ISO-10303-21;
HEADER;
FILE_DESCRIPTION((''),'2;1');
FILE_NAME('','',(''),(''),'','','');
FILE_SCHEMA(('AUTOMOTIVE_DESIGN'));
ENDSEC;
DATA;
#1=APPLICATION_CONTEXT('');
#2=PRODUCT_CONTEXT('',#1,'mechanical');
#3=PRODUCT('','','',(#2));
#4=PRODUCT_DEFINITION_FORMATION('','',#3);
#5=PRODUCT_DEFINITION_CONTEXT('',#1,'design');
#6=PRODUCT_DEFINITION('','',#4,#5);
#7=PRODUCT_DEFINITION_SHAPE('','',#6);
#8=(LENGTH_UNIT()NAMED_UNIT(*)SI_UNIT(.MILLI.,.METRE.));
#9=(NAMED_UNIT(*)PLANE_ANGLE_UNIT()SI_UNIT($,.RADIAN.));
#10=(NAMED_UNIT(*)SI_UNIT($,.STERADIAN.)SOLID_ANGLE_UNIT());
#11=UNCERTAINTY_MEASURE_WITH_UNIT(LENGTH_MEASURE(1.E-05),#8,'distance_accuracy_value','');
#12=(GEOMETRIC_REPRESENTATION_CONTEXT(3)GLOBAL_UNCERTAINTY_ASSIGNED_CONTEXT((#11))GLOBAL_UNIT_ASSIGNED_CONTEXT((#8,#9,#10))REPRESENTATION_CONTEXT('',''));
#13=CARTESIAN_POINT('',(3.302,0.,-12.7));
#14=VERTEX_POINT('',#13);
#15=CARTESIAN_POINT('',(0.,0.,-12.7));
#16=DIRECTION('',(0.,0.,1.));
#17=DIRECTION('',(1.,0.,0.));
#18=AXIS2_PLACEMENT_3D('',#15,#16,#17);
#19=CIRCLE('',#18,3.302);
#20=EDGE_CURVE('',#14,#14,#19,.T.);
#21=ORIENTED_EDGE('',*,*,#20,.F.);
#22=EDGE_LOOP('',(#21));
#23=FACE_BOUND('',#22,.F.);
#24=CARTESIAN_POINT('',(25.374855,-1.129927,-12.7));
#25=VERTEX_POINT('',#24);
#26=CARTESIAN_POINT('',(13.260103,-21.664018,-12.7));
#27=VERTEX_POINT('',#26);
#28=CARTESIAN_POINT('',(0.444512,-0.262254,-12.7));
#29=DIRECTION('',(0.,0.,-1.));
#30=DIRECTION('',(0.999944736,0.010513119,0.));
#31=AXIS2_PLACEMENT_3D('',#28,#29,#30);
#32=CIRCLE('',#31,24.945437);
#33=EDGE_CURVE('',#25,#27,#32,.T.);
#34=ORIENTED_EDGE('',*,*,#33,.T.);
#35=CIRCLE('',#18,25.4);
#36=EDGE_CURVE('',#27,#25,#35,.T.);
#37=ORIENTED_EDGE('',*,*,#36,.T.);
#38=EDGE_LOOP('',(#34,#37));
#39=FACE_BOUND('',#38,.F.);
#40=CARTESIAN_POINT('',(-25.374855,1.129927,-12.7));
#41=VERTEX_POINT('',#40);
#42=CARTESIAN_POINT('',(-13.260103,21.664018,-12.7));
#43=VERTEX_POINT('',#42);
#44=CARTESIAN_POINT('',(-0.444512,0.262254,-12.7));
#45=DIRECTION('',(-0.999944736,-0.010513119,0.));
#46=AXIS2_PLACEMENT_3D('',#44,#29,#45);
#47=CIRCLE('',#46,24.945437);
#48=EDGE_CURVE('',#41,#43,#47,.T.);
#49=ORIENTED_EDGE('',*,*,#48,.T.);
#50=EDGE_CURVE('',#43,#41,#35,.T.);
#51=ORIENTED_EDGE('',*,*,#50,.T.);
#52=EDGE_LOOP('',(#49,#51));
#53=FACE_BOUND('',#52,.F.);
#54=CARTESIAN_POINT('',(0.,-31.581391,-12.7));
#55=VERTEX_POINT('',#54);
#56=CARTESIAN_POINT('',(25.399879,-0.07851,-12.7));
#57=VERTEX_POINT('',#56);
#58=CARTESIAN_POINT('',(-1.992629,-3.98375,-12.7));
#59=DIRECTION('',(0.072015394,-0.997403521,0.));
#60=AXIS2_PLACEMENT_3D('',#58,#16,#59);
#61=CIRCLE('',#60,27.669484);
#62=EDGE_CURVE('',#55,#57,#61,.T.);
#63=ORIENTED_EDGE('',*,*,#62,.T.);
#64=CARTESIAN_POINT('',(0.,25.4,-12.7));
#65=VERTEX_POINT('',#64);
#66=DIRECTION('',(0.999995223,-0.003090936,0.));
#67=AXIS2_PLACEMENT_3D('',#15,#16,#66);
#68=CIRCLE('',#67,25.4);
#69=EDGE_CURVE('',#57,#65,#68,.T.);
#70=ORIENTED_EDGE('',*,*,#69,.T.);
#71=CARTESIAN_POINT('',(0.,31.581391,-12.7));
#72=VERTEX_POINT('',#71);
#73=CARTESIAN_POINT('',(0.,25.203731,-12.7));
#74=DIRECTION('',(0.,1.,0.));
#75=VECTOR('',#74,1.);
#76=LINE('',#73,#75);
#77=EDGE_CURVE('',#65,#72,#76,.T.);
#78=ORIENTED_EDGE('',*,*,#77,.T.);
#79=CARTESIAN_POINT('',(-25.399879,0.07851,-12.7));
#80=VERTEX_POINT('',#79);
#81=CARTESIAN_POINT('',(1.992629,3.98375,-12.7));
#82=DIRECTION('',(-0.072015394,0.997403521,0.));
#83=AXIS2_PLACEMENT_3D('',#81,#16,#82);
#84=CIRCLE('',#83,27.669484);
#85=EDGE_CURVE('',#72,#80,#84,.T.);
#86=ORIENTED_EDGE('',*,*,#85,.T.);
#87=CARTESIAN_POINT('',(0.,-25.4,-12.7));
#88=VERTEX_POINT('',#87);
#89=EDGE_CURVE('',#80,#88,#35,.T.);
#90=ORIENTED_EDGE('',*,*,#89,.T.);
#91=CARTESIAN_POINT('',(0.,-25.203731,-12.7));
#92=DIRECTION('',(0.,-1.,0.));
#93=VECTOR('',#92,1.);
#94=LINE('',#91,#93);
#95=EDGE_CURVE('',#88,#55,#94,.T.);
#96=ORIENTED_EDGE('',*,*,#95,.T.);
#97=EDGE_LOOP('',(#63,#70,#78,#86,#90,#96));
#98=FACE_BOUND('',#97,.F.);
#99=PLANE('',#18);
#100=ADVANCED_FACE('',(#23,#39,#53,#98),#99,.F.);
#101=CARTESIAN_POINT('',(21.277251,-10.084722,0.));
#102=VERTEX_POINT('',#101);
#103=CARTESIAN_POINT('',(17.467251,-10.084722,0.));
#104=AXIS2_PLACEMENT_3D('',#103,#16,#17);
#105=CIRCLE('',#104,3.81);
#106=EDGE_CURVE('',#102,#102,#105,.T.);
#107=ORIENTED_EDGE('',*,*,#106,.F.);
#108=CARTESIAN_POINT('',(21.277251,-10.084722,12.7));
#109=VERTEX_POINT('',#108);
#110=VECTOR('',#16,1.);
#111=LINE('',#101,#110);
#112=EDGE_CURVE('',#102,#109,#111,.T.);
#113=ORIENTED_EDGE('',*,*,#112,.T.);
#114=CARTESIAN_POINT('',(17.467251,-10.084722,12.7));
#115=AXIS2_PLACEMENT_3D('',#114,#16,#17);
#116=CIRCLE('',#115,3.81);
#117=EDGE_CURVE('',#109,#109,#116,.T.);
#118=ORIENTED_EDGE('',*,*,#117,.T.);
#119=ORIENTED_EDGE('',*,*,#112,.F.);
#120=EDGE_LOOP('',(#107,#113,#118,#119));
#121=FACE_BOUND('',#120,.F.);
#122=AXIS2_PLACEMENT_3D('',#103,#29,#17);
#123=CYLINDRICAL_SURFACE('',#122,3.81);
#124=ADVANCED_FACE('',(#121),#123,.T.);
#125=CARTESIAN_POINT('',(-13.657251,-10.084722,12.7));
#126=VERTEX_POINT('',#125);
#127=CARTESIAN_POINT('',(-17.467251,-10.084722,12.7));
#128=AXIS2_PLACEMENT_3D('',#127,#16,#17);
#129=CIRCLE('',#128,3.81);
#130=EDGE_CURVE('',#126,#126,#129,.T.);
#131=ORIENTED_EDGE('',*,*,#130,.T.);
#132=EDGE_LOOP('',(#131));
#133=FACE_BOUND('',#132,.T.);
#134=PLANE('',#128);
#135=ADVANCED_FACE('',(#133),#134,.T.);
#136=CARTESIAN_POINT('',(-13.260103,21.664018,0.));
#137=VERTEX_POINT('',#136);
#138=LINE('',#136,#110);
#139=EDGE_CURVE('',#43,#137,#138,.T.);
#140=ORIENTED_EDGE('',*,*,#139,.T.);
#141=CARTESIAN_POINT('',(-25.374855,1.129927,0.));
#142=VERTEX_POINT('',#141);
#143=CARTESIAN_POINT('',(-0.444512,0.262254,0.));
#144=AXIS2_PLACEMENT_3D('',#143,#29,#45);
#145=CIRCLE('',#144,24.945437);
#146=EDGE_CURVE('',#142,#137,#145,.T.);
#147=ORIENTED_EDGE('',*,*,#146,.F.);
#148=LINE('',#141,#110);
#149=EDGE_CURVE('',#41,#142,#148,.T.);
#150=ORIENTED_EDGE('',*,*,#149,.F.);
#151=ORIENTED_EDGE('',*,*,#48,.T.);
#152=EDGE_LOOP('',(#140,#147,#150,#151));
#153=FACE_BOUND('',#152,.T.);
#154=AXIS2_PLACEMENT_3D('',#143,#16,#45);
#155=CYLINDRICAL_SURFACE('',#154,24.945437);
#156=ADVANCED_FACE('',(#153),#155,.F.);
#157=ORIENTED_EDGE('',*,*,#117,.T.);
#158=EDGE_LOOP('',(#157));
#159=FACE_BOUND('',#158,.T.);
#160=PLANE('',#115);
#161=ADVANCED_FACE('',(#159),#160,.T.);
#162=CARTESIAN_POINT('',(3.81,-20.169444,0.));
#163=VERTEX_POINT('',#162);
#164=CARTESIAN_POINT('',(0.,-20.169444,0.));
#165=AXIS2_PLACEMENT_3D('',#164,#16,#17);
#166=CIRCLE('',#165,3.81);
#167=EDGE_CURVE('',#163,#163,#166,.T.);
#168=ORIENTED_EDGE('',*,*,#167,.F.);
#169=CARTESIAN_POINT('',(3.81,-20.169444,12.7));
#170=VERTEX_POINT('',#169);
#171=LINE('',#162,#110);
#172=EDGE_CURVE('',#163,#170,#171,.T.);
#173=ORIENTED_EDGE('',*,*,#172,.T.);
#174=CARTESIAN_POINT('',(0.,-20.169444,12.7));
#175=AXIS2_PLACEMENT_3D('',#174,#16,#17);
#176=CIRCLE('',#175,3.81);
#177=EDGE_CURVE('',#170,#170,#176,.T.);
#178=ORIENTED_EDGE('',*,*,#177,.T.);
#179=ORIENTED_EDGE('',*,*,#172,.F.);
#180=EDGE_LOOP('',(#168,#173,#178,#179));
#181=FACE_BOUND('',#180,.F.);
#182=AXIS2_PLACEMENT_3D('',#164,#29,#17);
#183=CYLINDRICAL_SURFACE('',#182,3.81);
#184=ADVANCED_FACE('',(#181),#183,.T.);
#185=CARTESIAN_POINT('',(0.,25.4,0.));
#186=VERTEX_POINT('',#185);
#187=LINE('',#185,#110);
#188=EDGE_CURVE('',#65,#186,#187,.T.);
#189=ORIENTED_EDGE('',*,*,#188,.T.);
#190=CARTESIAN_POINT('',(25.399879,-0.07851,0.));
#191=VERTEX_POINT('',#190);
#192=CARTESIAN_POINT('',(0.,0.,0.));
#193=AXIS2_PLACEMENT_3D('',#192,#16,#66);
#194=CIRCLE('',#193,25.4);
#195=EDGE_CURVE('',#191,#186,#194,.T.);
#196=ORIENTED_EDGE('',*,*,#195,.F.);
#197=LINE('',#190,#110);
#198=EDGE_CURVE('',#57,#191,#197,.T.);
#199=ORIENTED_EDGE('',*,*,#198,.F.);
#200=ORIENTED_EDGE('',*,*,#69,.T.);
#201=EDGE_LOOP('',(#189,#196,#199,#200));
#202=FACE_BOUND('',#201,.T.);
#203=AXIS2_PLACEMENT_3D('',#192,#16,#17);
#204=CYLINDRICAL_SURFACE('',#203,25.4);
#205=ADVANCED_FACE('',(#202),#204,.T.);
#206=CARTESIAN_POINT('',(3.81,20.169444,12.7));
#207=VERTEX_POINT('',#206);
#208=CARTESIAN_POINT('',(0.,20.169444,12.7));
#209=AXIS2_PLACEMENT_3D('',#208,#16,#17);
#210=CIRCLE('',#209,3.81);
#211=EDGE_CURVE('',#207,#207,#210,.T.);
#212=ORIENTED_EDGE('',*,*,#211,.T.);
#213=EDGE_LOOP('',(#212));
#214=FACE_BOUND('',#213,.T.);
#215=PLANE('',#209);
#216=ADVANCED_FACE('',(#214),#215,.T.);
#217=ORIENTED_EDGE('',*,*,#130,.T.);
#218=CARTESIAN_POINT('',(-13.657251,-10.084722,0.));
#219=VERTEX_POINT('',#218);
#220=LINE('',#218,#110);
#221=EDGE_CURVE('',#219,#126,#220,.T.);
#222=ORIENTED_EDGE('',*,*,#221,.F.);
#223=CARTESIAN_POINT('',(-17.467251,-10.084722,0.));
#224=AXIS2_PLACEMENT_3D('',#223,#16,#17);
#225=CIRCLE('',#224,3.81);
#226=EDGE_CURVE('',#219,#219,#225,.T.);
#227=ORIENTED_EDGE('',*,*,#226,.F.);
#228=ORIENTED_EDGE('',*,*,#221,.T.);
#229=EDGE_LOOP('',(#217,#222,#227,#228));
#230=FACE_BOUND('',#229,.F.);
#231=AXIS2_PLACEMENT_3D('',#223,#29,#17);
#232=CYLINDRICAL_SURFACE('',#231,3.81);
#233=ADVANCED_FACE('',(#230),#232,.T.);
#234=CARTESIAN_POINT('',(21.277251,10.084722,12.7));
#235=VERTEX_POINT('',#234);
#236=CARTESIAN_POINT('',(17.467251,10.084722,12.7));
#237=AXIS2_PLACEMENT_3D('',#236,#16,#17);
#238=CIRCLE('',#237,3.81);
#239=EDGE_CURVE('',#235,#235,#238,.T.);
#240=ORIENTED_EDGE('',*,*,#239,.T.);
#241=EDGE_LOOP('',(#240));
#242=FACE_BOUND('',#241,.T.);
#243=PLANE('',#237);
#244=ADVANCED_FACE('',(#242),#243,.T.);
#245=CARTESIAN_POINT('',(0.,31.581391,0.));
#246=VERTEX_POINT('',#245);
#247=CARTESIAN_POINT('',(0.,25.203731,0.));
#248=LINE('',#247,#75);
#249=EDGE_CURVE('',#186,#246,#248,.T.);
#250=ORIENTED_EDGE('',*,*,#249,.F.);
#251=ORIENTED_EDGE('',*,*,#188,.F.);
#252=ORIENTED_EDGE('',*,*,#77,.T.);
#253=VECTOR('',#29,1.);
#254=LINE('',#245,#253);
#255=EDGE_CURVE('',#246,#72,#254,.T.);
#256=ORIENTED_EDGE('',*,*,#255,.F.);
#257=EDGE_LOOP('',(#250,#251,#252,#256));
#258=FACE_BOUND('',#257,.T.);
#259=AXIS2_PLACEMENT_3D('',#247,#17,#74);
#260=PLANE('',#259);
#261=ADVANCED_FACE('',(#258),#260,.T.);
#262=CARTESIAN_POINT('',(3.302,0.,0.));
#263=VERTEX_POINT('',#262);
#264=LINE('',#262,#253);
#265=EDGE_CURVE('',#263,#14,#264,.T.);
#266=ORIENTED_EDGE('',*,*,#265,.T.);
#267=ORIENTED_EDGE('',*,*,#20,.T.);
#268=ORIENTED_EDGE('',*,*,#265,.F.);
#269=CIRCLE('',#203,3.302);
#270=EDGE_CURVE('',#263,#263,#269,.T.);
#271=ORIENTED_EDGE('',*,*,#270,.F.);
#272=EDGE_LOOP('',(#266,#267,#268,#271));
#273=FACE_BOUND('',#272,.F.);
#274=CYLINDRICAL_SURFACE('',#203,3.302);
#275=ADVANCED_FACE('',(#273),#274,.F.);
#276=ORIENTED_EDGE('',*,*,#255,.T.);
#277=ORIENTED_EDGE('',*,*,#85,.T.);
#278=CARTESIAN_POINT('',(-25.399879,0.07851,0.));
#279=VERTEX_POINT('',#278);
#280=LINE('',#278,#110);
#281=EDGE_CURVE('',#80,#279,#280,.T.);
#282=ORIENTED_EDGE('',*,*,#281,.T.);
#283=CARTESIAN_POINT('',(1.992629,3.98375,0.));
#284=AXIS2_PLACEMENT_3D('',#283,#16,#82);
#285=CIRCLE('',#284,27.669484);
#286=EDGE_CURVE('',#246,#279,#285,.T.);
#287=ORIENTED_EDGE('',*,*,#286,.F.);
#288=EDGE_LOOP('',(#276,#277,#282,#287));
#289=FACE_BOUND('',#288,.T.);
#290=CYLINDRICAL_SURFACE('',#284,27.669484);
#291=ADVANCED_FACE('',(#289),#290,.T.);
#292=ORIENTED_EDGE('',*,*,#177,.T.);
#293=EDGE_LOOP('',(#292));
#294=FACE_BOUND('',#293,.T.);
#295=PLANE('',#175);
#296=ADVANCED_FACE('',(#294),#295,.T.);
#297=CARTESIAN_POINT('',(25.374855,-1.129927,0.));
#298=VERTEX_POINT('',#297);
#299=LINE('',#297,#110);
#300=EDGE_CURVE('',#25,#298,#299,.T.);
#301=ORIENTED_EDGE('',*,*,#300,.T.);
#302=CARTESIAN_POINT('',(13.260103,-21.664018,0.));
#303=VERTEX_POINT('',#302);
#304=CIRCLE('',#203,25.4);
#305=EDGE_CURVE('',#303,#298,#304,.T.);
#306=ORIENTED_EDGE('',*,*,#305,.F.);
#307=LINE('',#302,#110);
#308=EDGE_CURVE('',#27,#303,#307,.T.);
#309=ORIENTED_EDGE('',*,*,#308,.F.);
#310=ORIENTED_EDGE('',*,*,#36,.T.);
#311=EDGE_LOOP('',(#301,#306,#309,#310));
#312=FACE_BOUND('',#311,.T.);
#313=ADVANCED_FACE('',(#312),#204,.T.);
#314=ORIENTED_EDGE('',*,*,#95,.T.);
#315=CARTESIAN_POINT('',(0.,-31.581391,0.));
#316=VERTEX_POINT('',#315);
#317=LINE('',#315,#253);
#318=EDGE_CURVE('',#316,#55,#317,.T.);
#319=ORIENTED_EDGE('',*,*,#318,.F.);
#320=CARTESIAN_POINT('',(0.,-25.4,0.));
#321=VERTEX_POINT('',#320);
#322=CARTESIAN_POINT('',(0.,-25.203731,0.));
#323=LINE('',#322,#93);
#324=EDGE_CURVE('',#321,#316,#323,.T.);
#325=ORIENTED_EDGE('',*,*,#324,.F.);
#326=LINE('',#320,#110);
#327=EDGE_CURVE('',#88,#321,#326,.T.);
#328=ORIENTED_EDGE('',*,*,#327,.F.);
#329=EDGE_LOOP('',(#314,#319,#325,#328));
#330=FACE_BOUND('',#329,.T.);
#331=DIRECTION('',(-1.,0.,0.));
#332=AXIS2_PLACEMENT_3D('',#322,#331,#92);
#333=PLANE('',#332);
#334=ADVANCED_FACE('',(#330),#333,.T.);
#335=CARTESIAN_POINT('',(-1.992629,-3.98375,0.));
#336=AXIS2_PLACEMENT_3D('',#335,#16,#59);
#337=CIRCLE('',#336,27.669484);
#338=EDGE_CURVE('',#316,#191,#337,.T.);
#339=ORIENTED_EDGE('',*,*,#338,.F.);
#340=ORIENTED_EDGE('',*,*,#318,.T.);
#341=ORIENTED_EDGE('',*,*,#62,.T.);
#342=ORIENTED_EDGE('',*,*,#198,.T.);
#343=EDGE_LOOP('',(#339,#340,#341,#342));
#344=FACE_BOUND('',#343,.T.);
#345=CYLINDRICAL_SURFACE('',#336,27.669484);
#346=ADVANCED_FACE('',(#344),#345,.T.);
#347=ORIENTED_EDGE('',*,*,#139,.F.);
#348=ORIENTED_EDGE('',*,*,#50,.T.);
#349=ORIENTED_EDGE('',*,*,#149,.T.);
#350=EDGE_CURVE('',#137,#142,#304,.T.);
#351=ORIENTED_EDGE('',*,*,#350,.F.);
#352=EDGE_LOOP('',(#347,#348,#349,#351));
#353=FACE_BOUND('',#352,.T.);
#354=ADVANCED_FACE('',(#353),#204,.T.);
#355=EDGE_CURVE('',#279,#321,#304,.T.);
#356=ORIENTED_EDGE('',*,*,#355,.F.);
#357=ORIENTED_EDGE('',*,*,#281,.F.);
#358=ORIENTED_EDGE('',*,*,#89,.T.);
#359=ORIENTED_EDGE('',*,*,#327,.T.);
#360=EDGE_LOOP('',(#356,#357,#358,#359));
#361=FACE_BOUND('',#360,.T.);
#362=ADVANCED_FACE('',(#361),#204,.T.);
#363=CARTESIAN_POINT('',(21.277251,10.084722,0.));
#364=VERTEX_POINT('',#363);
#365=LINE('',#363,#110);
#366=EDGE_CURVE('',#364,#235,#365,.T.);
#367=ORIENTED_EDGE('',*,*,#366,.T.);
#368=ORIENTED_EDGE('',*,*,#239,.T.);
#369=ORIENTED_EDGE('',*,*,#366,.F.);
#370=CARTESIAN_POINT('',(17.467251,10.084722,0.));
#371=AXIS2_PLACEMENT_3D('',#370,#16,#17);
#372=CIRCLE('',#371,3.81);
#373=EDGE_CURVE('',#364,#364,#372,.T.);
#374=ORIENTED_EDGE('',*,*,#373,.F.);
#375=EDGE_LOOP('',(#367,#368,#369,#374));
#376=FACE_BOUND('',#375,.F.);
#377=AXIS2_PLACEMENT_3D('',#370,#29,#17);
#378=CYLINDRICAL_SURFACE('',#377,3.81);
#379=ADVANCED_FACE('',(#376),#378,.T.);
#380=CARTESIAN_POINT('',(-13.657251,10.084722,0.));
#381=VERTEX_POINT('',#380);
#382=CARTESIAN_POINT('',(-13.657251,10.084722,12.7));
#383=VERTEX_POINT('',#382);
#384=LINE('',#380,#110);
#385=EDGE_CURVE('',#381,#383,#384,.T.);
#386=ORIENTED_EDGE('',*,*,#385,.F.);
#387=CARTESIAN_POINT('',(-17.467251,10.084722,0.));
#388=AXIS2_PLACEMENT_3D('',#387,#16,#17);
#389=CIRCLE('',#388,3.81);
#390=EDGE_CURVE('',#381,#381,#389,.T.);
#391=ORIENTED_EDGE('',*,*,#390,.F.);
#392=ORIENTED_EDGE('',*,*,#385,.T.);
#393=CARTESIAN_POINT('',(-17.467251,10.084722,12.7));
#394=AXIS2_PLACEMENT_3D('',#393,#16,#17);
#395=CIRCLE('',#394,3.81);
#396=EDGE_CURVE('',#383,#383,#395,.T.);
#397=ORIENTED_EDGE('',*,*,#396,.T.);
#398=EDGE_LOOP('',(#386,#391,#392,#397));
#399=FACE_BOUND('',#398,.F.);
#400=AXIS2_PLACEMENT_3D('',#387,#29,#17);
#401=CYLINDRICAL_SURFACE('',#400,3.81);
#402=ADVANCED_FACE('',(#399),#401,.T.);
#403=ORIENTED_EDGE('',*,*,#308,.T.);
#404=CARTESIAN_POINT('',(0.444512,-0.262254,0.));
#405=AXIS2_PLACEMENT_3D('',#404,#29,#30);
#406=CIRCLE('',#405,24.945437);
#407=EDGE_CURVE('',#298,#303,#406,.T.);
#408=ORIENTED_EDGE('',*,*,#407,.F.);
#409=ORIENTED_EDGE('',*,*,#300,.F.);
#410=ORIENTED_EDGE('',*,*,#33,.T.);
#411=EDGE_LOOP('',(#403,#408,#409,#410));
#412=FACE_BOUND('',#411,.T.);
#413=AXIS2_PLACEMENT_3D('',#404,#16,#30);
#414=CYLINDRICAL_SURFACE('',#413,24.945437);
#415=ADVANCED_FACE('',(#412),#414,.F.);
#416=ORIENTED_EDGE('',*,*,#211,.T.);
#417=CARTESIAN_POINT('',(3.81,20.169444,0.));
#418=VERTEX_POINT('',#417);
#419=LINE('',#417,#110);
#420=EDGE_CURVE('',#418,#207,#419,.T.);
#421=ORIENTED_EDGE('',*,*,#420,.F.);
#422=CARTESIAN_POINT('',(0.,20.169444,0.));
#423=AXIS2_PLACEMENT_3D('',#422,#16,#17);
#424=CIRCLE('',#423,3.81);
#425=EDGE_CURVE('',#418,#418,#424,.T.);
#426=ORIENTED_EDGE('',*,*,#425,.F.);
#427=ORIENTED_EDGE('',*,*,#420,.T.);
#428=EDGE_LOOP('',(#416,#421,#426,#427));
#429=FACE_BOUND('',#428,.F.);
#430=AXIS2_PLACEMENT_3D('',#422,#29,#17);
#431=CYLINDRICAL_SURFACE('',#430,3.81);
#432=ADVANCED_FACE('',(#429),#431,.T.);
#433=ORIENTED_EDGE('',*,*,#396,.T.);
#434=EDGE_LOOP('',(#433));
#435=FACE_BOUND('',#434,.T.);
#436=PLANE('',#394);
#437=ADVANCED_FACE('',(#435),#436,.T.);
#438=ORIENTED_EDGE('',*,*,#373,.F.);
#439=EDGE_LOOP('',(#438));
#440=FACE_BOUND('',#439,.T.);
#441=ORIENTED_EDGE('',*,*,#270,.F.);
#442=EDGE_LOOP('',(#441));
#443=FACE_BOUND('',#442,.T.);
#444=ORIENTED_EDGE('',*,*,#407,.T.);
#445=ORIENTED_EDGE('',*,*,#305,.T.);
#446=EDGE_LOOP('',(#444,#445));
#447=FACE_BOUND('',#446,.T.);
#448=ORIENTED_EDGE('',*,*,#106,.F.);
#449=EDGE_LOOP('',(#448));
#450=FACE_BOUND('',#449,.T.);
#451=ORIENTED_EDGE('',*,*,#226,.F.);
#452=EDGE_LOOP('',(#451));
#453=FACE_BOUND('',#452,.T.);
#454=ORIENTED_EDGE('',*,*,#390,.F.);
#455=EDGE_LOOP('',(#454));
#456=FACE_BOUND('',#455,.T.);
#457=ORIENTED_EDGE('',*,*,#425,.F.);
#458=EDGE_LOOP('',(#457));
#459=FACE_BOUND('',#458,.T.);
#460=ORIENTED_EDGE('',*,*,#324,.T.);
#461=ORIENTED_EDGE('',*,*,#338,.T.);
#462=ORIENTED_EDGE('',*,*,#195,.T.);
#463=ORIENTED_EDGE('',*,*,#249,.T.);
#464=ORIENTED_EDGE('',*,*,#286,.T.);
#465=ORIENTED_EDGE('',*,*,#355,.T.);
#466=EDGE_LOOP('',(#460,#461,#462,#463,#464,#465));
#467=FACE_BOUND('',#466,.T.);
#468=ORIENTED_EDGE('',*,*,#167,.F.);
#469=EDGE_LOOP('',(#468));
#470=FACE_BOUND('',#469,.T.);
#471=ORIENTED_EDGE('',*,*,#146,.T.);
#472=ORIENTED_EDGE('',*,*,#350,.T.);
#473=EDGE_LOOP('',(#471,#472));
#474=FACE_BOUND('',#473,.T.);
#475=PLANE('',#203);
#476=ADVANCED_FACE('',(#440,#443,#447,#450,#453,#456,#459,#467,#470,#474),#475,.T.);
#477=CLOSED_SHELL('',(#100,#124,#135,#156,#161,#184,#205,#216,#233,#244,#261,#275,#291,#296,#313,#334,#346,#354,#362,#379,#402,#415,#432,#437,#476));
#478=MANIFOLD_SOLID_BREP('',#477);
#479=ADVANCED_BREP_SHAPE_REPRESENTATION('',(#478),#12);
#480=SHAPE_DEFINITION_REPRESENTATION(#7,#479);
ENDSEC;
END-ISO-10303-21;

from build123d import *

# Parameters (mm, degrees)
F0_R     = 25.4
F1_DEPTH = 12.7
F3_DEPTH = 12.7
F4_R     = 3.81
F5_DEPTH = 12.7
F6_R     = 3.302
F7_DEPTH = 12.7


with BuildPart() as f1:
    # F0 (on Top) → F1 (new body)
    with BuildSketch(Plane.XY):
        Circle(F0_R)
    extrude(amount=-F1_DEPTH)

    # F2 (on Top) → F3 (join)
    with BuildSketch(Plane.XY):
        with BuildLine():
            ThreePointArc((-25.388571, 0), (-18.019038, 17.965669), (0, 25.203731))
            Line((0, 25.203731), (0, 31.581391))
            ThreePointArc((0, 31.581391), (-19.572424, 21.320095), (-25.388571, 0))
        make_face()
        with BuildLine():
            Line((0, -25.203731), (0, -31.581391))
            ThreePointArc((0, -31.581391), (19.572424, -21.320095), (25.388571, 0))
            ThreePointArc((25.388571, 0), (18.019038, -17.965669), (0, -25.203731))
        make_face()
    extrude(amount=-F3_DEPTH)

    # F4 (on Top) → F5 (join)
    with BuildSketch(Plane.XY):
        with Locations((-17.467251, 10.084722)):
            Circle(F4_R)
        with Locations((0, 20.169444)):
            Circle(F4_R)
        with Locations((17.467251, 10.084722)):
            Circle(F4_R)
        with Locations((17.467251, -10.084722)):
            Circle(F4_R)
        with Locations((0, -20.169444)):
            Circle(F4_R)
        with Locations((-17.467251, -10.084722)):
            Circle(F4_R)
    extrude(amount=F5_DEPTH)

    # F6 (on Top) → F7 (cut)
    with BuildSketch(Plane.XY):
        Circle(F6_R)
    extrude(amount=-F7_DEPTH, mode=Mode.SUBTRACT)


solid = f1.part
